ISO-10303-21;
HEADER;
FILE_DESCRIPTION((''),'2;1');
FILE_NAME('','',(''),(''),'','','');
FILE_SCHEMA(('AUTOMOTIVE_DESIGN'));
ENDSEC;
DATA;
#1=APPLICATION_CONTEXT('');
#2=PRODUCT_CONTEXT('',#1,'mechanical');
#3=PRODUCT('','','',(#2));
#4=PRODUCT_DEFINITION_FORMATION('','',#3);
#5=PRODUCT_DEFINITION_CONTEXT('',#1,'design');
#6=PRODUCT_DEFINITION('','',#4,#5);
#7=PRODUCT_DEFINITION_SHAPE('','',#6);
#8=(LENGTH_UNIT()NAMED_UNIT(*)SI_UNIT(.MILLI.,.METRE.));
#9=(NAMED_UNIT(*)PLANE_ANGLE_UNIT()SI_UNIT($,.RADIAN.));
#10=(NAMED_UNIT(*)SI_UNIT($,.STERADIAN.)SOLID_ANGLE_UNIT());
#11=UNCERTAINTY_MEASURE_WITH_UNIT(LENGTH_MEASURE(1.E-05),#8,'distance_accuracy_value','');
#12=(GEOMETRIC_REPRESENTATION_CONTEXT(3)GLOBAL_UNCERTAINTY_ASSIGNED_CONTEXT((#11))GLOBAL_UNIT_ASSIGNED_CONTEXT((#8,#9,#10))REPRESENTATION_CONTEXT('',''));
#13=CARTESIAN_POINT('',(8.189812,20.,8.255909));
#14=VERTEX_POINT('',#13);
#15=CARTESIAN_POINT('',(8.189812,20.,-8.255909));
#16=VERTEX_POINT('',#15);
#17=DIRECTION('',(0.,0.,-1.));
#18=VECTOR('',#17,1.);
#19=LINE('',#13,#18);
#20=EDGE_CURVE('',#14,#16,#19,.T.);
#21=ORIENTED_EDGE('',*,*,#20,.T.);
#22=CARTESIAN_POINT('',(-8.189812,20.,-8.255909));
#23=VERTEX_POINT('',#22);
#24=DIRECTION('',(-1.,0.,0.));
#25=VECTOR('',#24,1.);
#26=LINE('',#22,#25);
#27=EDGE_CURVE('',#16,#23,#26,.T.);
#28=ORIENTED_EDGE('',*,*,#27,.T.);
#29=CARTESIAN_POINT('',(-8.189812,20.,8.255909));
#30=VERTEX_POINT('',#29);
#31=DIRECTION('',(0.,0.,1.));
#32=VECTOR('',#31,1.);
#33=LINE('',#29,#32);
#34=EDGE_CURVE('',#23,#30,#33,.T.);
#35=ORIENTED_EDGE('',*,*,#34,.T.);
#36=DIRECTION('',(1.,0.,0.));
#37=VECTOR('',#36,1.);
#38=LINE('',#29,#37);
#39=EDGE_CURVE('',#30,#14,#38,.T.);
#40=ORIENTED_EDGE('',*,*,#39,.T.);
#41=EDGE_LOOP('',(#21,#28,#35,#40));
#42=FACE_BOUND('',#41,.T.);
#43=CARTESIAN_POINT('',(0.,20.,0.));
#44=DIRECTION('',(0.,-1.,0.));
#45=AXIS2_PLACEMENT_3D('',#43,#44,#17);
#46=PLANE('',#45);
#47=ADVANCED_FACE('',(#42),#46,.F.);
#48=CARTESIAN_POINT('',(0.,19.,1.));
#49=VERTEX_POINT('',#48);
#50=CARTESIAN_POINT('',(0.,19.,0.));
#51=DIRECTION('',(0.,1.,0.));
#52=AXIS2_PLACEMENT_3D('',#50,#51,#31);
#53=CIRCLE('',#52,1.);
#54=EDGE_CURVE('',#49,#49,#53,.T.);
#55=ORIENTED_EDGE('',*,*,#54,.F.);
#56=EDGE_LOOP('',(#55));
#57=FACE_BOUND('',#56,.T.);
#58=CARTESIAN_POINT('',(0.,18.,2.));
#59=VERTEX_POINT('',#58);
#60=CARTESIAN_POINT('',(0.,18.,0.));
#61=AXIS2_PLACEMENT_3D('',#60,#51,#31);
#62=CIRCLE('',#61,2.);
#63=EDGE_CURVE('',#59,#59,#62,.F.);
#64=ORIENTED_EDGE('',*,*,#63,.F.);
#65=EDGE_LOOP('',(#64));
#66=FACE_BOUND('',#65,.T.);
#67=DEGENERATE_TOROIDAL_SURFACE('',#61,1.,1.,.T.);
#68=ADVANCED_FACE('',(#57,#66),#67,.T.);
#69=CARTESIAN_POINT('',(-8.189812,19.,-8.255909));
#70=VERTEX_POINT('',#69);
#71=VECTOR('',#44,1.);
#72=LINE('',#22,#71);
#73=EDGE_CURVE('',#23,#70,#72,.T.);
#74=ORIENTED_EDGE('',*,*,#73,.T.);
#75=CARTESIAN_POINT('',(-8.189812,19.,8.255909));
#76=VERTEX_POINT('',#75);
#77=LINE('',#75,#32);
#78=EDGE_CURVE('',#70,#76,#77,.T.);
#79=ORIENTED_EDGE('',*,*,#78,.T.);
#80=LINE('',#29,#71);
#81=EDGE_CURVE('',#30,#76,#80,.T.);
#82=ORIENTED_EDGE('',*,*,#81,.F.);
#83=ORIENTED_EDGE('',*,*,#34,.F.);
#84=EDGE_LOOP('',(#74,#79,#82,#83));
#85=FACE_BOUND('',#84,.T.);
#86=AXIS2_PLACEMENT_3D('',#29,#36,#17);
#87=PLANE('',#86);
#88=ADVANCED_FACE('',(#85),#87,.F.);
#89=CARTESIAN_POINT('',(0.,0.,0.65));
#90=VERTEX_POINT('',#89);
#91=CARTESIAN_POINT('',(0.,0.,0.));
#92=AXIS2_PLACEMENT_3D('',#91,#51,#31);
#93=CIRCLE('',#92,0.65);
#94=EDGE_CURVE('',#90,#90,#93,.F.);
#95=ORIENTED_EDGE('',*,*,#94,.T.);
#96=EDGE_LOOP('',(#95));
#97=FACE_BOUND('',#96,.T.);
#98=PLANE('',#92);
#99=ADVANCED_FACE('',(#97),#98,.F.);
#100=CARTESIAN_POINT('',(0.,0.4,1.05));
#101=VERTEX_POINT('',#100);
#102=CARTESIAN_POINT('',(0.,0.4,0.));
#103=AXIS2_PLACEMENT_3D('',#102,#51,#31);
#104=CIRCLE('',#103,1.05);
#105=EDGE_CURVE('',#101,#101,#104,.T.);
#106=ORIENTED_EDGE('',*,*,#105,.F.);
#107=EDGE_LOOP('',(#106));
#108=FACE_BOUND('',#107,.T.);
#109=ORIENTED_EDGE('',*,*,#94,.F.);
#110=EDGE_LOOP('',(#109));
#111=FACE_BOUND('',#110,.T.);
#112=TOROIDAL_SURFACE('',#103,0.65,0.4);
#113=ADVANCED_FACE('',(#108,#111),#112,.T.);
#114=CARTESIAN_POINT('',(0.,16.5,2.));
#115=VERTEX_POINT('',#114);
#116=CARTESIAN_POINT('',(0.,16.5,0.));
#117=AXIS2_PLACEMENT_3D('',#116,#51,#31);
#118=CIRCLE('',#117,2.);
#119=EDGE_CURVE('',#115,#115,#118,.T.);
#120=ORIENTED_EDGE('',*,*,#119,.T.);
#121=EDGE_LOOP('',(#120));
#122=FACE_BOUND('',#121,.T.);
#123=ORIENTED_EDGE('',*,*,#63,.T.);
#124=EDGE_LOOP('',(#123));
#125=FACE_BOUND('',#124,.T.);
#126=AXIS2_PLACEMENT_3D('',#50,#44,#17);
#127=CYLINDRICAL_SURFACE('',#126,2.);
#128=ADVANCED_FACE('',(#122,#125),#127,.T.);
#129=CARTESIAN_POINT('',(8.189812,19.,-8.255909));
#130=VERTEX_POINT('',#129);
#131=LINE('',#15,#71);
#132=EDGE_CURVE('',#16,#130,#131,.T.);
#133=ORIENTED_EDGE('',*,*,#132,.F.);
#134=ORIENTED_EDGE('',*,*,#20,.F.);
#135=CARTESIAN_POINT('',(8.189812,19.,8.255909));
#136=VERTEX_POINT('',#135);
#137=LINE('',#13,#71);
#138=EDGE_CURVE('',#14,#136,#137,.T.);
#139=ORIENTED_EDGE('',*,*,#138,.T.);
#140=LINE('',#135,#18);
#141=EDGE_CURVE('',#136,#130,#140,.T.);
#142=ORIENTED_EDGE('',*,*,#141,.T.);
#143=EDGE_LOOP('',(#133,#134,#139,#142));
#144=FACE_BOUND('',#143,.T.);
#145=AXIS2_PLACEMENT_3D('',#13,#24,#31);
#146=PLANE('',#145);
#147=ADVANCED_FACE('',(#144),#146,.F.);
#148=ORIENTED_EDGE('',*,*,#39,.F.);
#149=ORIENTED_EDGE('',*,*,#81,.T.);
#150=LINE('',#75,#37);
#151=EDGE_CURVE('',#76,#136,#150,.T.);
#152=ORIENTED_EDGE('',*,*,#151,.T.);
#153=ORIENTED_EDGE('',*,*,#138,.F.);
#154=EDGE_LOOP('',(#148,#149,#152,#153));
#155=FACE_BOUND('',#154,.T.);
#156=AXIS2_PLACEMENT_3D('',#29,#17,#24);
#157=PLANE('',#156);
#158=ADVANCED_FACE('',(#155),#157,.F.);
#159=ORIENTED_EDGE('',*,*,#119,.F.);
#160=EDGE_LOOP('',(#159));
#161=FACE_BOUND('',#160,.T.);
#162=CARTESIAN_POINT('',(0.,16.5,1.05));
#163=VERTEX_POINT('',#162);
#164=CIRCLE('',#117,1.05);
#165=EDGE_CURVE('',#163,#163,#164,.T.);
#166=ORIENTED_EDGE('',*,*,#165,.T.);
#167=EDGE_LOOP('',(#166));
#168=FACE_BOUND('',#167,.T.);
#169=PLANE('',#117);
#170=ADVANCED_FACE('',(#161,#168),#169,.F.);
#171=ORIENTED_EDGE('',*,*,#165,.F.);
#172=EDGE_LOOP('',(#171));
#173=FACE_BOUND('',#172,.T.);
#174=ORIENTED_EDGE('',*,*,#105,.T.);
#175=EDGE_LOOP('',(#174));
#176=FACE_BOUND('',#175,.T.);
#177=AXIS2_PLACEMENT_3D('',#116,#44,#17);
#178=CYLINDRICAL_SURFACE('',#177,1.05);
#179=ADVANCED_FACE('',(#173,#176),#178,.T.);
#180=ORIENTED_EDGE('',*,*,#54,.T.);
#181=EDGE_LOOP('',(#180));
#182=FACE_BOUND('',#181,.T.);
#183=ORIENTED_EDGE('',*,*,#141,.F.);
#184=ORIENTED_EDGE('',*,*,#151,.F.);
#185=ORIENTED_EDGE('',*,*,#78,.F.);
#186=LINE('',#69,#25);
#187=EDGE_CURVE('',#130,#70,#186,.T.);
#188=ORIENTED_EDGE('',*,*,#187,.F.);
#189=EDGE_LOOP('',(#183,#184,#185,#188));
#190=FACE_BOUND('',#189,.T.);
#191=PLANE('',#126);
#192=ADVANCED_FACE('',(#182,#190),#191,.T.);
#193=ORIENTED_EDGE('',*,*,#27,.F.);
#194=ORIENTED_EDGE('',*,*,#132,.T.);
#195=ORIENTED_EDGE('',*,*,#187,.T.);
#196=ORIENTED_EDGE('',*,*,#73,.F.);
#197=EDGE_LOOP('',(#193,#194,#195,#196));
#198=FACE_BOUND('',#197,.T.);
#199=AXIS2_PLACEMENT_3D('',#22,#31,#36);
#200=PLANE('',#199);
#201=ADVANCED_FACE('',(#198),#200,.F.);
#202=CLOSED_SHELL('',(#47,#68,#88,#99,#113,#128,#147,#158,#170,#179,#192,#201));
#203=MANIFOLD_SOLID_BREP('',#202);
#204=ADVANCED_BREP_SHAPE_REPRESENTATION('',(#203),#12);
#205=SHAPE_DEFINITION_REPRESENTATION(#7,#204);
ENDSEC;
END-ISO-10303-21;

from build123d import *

# Parameters (mm, degrees)
SKETCH1_R           = 1.05
BOSS_EXTRUDE1_DEPTH = 16.5
SKETCH2_R           = 2
BOSS_EXTRUDE2_DEPTH = 2.5
FILLET1_R           = 0.4
FILLET2_R           = 1
SKETCH3_W           = 16.37962499
SKETCH3_H           = 16.511817854
BOSS_EXTRUDE3_DEPTH = 1


with BuildPart() as part:
    # Sketch1 → Boss-Extrude1 (new body)
    with BuildSketch(Plane(origin=(0, 0, 0), x_dir=(1, 0, 0), z_dir=(0, 1, 0))):
        Circle(SKETCH1_R)
    extrude(amount=BOSS_EXTRUDE1_DEPTH)

    # Sketch2 → Boss-Extrude2 (add)
    with BuildSketch(Plane(origin=(0, 16.5, 0), x_dir=(1, 0, 0), z_dir=(0, 1, 0))):
        Circle(SKETCH2_R)
    extrude(amount=BOSS_EXTRUDE2_DEPTH)

    # Fillet1
    fillet1_edges = [part.edges().sort_by_distance(p)[0] for p in [
        (-1.05, 0, 0),
    ]]
    fillet(fillet1_edges, radius=FILLET1_R)

    # Fillet2
    fillet2_edges = [part.edges().sort_by_distance(p)[0] for p in [
        (-2, 19, 0),
    ]]
    fillet(fillet2_edges, radius=FILLET2_R)

    # Sketch3 → Boss-Extrude3 (add)
    with BuildSketch(Plane(origin=(0, 19, 0), x_dir=(1, 0, 0), z_dir=(0, 1, 0))):
        Rectangle(SKETCH3_W, SKETCH3_H)
    extrude(amount=BOSS_EXTRUDE3_DEPTH)


solid = part.part
